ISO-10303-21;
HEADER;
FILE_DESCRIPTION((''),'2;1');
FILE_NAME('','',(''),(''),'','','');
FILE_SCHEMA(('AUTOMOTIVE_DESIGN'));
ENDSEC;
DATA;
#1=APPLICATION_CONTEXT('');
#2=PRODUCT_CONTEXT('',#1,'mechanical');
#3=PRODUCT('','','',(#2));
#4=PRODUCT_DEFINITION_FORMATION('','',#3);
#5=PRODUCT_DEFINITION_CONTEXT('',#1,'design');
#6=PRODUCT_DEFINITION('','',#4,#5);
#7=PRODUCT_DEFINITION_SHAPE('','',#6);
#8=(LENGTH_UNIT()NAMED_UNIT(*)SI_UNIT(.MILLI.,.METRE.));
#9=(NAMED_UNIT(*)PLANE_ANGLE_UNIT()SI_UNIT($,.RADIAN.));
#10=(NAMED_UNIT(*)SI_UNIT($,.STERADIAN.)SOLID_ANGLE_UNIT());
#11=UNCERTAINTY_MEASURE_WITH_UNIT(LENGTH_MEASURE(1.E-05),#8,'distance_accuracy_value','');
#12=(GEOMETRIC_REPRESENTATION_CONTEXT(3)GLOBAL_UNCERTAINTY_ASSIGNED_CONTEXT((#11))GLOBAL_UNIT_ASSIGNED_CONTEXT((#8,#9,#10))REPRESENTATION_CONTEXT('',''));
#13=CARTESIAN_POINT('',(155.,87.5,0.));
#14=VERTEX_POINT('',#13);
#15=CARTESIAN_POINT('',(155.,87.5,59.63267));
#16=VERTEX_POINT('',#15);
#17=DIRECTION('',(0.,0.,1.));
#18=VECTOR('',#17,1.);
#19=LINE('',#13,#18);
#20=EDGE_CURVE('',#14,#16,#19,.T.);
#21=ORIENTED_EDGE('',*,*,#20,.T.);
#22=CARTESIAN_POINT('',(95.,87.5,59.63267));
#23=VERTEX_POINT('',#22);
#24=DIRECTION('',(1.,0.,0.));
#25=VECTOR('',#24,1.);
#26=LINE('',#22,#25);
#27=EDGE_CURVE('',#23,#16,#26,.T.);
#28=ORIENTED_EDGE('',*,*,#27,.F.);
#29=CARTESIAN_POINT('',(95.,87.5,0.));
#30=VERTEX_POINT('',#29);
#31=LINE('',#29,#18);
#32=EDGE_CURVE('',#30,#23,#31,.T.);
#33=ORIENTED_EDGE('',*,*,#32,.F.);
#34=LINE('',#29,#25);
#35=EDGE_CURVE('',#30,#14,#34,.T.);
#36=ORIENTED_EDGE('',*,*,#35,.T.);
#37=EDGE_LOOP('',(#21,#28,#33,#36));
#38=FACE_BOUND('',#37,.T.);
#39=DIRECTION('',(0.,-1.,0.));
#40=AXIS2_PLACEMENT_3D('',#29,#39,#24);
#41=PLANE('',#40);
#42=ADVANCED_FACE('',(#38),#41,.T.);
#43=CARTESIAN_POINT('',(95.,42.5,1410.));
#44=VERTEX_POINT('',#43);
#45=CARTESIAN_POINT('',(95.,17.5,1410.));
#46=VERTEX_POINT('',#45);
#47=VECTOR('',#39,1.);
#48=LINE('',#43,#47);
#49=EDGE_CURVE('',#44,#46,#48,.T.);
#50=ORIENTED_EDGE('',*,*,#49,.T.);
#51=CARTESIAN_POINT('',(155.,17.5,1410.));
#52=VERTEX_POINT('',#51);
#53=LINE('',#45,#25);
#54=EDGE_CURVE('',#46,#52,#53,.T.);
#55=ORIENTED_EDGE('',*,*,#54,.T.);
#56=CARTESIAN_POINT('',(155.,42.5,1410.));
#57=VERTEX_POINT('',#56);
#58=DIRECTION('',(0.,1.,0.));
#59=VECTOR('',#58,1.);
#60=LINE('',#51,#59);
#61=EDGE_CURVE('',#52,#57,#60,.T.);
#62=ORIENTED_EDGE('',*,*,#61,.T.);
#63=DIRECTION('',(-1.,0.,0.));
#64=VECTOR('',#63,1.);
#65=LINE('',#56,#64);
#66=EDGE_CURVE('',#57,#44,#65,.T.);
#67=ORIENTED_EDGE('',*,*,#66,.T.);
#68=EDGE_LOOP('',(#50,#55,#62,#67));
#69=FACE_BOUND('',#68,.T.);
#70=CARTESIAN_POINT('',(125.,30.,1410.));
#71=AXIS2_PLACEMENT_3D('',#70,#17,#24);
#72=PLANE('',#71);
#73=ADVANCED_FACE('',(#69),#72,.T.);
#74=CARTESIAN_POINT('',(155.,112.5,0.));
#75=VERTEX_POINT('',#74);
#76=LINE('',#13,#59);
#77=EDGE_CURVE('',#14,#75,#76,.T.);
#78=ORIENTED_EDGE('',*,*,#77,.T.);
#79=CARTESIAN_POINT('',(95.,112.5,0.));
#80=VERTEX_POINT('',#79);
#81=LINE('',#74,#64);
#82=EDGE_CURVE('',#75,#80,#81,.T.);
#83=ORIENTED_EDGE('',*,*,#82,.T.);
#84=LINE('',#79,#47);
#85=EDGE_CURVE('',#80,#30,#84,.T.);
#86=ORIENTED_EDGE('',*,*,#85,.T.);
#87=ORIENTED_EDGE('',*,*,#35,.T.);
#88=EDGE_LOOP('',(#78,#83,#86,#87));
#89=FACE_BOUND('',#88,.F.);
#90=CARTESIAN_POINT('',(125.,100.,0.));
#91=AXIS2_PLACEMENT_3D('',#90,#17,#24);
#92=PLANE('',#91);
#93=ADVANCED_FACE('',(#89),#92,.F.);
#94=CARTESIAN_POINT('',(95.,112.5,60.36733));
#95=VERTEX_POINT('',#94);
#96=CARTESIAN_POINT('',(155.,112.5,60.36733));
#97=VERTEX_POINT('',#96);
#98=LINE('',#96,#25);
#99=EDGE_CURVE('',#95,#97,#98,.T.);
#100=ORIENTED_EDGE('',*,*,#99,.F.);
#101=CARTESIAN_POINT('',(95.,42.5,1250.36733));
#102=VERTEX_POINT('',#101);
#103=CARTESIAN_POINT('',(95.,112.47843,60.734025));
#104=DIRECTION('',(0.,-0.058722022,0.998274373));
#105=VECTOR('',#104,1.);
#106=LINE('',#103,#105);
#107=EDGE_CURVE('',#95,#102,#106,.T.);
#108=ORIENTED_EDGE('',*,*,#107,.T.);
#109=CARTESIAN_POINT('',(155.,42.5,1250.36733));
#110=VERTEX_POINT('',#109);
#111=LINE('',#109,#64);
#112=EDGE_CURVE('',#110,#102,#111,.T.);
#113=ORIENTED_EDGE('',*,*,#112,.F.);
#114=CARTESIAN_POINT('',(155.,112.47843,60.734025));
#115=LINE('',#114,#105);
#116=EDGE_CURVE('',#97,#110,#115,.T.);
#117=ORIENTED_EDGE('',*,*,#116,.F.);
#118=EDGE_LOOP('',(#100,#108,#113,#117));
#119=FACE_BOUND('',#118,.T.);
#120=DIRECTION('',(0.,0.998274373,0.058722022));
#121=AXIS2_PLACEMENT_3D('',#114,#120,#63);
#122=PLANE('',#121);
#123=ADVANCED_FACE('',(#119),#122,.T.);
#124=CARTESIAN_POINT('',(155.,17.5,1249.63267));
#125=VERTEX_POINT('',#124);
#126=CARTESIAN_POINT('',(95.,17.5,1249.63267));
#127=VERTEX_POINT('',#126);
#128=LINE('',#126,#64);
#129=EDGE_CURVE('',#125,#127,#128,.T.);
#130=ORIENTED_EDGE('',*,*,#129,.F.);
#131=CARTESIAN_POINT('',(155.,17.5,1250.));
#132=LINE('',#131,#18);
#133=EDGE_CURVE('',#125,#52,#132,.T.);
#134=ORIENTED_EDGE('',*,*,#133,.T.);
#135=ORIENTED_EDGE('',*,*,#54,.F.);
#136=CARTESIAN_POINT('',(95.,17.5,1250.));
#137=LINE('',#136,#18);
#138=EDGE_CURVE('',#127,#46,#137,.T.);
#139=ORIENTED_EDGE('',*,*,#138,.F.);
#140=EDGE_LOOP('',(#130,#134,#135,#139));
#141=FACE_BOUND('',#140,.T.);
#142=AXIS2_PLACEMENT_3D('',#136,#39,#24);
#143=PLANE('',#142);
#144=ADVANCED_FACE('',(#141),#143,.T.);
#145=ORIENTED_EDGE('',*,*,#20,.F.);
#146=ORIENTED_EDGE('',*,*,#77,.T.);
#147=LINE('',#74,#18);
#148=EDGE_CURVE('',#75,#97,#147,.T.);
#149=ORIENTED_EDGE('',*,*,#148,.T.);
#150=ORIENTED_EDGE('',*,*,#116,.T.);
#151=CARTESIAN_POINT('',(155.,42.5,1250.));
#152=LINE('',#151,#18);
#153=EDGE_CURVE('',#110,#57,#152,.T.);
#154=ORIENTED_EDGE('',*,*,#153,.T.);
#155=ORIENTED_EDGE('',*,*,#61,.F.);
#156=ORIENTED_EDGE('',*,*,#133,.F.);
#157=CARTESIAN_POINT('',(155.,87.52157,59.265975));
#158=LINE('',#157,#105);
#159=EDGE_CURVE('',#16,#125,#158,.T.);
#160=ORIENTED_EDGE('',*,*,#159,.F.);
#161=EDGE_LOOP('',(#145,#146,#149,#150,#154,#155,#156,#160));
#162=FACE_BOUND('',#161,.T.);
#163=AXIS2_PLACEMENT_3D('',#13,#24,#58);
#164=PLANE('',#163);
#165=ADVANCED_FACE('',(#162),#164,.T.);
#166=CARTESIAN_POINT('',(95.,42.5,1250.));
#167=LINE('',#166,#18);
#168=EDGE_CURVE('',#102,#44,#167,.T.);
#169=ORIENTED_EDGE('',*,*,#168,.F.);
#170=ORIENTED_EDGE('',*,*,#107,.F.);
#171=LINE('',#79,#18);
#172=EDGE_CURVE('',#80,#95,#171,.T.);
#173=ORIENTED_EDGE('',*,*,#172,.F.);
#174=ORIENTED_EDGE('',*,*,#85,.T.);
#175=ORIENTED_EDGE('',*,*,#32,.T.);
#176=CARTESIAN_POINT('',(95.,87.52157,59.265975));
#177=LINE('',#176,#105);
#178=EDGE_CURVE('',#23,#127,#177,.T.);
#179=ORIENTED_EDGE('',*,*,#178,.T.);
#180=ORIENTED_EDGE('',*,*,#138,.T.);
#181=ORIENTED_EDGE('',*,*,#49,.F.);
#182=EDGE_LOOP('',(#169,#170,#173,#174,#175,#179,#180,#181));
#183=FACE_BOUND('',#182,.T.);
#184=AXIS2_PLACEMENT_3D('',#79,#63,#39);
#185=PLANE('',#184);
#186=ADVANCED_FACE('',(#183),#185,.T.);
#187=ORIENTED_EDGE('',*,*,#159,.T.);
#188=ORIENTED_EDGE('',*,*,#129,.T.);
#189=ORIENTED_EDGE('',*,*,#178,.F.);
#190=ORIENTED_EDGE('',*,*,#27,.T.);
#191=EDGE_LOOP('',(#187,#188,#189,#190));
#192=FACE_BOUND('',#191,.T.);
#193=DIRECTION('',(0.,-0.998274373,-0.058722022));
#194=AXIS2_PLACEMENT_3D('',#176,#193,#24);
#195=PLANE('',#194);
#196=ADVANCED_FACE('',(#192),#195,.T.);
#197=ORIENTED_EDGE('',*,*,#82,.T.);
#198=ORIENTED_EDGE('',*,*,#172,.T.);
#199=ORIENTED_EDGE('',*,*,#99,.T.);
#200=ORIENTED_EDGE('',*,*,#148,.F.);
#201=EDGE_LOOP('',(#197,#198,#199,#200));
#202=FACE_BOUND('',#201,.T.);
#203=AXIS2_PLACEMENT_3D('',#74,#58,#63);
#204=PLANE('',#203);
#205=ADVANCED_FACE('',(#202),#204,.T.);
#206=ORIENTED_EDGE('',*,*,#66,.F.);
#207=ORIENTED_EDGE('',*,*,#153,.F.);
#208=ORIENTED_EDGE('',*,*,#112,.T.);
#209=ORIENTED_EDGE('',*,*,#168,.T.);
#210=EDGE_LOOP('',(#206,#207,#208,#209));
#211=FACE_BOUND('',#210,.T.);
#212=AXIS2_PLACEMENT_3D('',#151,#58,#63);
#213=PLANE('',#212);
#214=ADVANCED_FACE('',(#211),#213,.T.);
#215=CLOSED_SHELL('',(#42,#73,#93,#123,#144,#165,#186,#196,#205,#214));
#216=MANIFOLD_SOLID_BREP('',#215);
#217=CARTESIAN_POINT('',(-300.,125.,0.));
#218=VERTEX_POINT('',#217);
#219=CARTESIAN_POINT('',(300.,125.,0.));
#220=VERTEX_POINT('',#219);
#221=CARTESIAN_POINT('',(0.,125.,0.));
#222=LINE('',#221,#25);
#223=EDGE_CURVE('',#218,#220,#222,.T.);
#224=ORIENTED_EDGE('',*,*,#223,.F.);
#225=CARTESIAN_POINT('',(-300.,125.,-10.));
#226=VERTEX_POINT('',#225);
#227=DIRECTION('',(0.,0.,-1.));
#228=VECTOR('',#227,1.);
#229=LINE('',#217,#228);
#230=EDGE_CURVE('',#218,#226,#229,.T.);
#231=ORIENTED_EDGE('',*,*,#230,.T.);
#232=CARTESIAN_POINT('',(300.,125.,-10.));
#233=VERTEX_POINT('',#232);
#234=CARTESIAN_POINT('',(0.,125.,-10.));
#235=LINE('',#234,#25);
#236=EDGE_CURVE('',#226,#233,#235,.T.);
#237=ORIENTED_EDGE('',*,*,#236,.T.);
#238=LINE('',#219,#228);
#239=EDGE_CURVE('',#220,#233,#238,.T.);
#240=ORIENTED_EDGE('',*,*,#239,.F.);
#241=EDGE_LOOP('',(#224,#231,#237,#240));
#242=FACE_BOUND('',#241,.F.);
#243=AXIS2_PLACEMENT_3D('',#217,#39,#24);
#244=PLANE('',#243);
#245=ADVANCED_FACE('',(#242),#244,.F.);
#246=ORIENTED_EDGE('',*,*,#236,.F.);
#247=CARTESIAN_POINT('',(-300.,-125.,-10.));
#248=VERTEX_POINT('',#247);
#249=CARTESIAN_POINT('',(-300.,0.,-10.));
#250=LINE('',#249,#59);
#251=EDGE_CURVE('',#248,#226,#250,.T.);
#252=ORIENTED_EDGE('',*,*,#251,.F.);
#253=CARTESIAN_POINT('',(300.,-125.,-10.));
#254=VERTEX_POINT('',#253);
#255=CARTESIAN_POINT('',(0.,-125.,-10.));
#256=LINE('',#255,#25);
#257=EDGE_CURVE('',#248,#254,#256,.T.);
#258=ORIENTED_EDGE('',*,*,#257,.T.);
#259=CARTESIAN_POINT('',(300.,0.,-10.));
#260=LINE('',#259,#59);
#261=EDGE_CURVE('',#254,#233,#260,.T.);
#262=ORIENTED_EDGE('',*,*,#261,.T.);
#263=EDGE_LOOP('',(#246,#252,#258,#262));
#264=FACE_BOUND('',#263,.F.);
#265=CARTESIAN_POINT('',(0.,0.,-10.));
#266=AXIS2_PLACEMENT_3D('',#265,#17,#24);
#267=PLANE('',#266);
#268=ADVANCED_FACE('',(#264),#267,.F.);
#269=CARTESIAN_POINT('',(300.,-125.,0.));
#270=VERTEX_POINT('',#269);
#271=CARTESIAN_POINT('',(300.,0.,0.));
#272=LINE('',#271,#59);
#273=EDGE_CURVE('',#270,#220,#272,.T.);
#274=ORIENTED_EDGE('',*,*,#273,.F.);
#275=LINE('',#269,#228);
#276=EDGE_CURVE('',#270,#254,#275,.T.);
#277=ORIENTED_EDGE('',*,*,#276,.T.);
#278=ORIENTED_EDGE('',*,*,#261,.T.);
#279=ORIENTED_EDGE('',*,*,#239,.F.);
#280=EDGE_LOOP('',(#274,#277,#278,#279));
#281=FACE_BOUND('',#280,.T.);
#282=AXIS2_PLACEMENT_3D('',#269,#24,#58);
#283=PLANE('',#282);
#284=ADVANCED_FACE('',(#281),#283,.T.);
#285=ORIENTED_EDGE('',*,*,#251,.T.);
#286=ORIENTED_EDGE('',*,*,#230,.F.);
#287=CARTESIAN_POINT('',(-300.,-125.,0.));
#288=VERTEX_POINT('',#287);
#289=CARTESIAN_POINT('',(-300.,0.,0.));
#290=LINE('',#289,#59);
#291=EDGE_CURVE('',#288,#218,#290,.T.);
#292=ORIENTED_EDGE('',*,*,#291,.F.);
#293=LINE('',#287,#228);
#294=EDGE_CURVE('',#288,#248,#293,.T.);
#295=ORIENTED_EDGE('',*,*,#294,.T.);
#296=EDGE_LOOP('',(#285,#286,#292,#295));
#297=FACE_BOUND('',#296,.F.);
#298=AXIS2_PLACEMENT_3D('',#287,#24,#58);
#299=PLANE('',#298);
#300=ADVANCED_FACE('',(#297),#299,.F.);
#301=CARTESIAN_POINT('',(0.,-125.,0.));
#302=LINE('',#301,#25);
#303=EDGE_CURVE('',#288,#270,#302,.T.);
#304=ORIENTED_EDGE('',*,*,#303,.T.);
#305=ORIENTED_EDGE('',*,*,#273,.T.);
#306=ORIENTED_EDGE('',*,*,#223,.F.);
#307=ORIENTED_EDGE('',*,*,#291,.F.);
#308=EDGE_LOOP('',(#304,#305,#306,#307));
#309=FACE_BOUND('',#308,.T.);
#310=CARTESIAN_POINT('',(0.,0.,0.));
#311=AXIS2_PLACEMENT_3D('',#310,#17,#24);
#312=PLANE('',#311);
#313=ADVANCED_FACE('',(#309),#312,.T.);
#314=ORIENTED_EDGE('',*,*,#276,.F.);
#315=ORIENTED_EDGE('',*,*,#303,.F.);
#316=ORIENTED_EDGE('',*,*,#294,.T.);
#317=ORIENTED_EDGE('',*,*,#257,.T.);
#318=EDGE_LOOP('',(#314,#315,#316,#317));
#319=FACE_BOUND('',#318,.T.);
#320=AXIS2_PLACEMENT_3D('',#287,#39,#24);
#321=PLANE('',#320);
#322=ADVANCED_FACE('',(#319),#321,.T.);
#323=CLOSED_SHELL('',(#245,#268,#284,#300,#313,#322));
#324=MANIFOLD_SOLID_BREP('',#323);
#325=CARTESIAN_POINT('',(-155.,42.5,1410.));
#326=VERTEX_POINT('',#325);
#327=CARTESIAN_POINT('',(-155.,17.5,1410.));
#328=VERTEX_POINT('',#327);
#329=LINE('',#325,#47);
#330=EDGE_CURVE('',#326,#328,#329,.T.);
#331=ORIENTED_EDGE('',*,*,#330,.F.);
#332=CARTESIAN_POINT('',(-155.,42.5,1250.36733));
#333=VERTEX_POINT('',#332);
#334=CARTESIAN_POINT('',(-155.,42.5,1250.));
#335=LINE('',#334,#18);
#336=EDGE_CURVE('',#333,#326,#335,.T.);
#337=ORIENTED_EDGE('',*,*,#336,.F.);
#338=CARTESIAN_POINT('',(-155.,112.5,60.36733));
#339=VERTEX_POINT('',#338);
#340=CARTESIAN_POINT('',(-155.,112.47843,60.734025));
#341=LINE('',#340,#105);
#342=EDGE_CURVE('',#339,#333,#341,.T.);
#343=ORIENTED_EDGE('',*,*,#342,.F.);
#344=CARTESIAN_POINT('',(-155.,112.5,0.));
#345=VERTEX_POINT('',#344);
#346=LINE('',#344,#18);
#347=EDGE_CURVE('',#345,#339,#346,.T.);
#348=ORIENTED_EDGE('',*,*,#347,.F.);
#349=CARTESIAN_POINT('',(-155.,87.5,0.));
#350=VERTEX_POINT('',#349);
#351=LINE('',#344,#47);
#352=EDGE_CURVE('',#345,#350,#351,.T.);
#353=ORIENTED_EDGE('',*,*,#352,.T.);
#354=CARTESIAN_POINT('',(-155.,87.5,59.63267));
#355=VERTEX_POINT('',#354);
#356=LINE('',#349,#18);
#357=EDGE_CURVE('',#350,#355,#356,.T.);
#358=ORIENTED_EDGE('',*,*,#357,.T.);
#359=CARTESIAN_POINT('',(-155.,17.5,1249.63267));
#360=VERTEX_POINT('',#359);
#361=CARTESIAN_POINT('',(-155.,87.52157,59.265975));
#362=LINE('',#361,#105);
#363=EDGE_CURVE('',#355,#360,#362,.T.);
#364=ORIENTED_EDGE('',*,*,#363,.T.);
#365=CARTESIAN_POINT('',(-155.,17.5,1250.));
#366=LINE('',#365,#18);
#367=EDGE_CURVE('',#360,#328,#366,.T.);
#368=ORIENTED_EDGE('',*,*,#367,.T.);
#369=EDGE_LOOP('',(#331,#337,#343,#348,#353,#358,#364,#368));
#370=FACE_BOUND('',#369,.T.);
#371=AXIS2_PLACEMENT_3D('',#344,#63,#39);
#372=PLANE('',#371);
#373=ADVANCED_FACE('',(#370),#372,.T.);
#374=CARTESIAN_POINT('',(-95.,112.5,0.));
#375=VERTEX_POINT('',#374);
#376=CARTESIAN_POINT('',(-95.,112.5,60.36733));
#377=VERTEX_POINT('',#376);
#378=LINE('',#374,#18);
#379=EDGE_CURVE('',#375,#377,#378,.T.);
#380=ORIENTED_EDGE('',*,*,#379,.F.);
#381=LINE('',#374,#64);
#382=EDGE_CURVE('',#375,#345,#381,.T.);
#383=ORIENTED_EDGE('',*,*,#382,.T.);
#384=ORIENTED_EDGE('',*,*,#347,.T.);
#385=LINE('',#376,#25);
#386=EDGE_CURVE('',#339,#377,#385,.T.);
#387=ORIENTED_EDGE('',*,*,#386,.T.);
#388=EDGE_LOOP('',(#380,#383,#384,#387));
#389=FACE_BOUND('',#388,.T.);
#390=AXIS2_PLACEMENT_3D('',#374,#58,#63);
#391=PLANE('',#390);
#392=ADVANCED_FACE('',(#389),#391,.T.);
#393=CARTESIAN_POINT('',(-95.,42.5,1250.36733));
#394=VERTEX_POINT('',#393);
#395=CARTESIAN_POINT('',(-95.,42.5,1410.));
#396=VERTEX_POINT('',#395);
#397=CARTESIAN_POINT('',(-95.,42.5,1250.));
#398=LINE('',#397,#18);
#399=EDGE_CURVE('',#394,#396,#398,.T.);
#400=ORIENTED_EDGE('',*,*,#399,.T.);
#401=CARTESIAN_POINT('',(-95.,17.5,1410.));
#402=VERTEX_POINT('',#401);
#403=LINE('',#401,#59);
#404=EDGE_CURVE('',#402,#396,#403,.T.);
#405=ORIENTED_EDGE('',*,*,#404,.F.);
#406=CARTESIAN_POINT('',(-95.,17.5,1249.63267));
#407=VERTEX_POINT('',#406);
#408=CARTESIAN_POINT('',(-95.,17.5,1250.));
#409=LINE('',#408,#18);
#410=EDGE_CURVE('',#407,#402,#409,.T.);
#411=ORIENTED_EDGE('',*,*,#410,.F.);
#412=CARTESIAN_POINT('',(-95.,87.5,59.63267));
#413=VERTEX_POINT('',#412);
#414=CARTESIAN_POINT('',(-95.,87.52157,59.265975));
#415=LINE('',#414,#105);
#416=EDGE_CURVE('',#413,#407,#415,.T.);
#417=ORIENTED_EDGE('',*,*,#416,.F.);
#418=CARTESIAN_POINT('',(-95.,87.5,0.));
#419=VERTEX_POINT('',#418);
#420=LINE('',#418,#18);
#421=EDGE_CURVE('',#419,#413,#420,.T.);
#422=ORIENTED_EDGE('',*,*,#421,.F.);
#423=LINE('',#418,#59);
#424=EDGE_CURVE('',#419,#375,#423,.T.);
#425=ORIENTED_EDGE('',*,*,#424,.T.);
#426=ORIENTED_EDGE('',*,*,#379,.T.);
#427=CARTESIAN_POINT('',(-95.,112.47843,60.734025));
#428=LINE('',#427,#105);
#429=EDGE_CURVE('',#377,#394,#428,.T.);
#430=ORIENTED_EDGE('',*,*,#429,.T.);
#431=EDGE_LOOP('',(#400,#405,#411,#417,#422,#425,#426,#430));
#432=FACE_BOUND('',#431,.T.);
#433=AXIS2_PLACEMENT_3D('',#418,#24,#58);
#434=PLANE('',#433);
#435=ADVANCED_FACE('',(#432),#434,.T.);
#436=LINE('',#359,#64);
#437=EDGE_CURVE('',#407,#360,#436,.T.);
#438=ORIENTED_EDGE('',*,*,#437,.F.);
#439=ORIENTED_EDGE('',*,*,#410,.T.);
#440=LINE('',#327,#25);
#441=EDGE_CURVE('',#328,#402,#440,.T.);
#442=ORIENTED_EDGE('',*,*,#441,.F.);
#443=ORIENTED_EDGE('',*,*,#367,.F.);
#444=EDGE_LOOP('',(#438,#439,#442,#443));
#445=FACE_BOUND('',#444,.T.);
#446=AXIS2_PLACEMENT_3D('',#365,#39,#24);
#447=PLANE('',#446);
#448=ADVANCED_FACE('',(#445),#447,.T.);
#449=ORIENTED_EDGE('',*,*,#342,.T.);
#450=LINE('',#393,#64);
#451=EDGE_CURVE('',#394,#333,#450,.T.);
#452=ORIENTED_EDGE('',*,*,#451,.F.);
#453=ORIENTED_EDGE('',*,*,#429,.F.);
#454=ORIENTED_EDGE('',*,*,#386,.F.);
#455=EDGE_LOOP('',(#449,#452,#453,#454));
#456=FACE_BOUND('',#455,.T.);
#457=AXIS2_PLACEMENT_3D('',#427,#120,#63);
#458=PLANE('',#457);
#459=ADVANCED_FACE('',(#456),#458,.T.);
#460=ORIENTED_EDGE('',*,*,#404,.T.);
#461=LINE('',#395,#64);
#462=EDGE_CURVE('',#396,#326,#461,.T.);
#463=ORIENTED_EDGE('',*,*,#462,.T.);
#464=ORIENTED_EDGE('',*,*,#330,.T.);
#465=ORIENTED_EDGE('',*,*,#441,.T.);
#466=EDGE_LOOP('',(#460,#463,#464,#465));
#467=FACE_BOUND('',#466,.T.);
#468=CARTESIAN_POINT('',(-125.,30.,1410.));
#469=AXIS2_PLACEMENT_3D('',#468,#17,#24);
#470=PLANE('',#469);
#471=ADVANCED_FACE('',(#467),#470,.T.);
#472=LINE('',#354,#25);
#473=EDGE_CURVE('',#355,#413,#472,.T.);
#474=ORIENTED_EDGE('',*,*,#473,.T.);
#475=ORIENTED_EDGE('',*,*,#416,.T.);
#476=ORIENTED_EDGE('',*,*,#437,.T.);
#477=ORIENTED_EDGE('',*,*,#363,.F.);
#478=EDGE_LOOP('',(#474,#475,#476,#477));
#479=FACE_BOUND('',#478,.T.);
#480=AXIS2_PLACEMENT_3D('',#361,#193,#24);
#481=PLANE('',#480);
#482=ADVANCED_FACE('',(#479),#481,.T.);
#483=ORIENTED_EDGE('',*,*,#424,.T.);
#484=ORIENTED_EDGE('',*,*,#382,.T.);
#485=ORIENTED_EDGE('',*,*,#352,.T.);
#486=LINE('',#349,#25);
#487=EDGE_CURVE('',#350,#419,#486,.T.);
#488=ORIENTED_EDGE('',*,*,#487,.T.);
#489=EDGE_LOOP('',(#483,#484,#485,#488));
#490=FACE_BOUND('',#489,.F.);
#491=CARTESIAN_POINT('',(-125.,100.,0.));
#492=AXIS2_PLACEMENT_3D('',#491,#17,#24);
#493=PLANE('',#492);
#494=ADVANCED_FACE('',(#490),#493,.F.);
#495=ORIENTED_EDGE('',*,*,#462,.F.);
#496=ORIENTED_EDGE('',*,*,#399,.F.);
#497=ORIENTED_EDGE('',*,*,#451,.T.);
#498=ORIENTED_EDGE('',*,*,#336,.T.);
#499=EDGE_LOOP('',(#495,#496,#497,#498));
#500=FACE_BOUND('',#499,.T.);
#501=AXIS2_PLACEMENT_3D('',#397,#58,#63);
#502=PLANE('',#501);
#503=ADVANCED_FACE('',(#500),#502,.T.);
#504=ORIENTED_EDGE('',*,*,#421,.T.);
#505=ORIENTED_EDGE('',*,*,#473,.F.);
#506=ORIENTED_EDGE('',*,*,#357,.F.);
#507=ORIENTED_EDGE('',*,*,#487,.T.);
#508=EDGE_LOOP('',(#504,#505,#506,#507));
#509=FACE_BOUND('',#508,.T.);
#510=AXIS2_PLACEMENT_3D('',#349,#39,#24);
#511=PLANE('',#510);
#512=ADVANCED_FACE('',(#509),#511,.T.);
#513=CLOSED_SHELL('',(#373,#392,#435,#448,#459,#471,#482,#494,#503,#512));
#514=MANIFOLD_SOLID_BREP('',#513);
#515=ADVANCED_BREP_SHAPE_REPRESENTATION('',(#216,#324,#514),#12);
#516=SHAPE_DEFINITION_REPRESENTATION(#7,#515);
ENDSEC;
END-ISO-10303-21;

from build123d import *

# Parameters (mm, degrees)
F0_W     = 600
F0_H     = 250
F3_DEPTH = 10


with BuildPart() as f3:
    # F0 (on Top) → F3 (new body)
    with BuildSketch(Plane.XY):
        Rectangle(F0_W, F0_H)
    extrude(amount=-F3_DEPTH)


with BuildPart() as f4:
    # F4: sweep along a path in F2
    with BuildLine(Plane.YZ) as f4_path:
        Line((100, 0), (100, 60))
        Line((100, 60), (30, 1250))
        Line((30, 1250), (30, 1410))
    # F1 (on face) → F4 (sweep)
    with BuildSketch(Plane.XY):
        Polygon((155, 87.5), (155, 100), (155, 112.5), (95, 112.5), (95, 87.5), align=None)
        Polygon((-155, 87.5), (-95, 87.5), (-95, 112.5), (-155, 112.5), (-155, 100), align=None)
    sweep(path=f4_path.line, transition=Transition.RIGHT)


solid = Compound([f3.part, f4.part])
